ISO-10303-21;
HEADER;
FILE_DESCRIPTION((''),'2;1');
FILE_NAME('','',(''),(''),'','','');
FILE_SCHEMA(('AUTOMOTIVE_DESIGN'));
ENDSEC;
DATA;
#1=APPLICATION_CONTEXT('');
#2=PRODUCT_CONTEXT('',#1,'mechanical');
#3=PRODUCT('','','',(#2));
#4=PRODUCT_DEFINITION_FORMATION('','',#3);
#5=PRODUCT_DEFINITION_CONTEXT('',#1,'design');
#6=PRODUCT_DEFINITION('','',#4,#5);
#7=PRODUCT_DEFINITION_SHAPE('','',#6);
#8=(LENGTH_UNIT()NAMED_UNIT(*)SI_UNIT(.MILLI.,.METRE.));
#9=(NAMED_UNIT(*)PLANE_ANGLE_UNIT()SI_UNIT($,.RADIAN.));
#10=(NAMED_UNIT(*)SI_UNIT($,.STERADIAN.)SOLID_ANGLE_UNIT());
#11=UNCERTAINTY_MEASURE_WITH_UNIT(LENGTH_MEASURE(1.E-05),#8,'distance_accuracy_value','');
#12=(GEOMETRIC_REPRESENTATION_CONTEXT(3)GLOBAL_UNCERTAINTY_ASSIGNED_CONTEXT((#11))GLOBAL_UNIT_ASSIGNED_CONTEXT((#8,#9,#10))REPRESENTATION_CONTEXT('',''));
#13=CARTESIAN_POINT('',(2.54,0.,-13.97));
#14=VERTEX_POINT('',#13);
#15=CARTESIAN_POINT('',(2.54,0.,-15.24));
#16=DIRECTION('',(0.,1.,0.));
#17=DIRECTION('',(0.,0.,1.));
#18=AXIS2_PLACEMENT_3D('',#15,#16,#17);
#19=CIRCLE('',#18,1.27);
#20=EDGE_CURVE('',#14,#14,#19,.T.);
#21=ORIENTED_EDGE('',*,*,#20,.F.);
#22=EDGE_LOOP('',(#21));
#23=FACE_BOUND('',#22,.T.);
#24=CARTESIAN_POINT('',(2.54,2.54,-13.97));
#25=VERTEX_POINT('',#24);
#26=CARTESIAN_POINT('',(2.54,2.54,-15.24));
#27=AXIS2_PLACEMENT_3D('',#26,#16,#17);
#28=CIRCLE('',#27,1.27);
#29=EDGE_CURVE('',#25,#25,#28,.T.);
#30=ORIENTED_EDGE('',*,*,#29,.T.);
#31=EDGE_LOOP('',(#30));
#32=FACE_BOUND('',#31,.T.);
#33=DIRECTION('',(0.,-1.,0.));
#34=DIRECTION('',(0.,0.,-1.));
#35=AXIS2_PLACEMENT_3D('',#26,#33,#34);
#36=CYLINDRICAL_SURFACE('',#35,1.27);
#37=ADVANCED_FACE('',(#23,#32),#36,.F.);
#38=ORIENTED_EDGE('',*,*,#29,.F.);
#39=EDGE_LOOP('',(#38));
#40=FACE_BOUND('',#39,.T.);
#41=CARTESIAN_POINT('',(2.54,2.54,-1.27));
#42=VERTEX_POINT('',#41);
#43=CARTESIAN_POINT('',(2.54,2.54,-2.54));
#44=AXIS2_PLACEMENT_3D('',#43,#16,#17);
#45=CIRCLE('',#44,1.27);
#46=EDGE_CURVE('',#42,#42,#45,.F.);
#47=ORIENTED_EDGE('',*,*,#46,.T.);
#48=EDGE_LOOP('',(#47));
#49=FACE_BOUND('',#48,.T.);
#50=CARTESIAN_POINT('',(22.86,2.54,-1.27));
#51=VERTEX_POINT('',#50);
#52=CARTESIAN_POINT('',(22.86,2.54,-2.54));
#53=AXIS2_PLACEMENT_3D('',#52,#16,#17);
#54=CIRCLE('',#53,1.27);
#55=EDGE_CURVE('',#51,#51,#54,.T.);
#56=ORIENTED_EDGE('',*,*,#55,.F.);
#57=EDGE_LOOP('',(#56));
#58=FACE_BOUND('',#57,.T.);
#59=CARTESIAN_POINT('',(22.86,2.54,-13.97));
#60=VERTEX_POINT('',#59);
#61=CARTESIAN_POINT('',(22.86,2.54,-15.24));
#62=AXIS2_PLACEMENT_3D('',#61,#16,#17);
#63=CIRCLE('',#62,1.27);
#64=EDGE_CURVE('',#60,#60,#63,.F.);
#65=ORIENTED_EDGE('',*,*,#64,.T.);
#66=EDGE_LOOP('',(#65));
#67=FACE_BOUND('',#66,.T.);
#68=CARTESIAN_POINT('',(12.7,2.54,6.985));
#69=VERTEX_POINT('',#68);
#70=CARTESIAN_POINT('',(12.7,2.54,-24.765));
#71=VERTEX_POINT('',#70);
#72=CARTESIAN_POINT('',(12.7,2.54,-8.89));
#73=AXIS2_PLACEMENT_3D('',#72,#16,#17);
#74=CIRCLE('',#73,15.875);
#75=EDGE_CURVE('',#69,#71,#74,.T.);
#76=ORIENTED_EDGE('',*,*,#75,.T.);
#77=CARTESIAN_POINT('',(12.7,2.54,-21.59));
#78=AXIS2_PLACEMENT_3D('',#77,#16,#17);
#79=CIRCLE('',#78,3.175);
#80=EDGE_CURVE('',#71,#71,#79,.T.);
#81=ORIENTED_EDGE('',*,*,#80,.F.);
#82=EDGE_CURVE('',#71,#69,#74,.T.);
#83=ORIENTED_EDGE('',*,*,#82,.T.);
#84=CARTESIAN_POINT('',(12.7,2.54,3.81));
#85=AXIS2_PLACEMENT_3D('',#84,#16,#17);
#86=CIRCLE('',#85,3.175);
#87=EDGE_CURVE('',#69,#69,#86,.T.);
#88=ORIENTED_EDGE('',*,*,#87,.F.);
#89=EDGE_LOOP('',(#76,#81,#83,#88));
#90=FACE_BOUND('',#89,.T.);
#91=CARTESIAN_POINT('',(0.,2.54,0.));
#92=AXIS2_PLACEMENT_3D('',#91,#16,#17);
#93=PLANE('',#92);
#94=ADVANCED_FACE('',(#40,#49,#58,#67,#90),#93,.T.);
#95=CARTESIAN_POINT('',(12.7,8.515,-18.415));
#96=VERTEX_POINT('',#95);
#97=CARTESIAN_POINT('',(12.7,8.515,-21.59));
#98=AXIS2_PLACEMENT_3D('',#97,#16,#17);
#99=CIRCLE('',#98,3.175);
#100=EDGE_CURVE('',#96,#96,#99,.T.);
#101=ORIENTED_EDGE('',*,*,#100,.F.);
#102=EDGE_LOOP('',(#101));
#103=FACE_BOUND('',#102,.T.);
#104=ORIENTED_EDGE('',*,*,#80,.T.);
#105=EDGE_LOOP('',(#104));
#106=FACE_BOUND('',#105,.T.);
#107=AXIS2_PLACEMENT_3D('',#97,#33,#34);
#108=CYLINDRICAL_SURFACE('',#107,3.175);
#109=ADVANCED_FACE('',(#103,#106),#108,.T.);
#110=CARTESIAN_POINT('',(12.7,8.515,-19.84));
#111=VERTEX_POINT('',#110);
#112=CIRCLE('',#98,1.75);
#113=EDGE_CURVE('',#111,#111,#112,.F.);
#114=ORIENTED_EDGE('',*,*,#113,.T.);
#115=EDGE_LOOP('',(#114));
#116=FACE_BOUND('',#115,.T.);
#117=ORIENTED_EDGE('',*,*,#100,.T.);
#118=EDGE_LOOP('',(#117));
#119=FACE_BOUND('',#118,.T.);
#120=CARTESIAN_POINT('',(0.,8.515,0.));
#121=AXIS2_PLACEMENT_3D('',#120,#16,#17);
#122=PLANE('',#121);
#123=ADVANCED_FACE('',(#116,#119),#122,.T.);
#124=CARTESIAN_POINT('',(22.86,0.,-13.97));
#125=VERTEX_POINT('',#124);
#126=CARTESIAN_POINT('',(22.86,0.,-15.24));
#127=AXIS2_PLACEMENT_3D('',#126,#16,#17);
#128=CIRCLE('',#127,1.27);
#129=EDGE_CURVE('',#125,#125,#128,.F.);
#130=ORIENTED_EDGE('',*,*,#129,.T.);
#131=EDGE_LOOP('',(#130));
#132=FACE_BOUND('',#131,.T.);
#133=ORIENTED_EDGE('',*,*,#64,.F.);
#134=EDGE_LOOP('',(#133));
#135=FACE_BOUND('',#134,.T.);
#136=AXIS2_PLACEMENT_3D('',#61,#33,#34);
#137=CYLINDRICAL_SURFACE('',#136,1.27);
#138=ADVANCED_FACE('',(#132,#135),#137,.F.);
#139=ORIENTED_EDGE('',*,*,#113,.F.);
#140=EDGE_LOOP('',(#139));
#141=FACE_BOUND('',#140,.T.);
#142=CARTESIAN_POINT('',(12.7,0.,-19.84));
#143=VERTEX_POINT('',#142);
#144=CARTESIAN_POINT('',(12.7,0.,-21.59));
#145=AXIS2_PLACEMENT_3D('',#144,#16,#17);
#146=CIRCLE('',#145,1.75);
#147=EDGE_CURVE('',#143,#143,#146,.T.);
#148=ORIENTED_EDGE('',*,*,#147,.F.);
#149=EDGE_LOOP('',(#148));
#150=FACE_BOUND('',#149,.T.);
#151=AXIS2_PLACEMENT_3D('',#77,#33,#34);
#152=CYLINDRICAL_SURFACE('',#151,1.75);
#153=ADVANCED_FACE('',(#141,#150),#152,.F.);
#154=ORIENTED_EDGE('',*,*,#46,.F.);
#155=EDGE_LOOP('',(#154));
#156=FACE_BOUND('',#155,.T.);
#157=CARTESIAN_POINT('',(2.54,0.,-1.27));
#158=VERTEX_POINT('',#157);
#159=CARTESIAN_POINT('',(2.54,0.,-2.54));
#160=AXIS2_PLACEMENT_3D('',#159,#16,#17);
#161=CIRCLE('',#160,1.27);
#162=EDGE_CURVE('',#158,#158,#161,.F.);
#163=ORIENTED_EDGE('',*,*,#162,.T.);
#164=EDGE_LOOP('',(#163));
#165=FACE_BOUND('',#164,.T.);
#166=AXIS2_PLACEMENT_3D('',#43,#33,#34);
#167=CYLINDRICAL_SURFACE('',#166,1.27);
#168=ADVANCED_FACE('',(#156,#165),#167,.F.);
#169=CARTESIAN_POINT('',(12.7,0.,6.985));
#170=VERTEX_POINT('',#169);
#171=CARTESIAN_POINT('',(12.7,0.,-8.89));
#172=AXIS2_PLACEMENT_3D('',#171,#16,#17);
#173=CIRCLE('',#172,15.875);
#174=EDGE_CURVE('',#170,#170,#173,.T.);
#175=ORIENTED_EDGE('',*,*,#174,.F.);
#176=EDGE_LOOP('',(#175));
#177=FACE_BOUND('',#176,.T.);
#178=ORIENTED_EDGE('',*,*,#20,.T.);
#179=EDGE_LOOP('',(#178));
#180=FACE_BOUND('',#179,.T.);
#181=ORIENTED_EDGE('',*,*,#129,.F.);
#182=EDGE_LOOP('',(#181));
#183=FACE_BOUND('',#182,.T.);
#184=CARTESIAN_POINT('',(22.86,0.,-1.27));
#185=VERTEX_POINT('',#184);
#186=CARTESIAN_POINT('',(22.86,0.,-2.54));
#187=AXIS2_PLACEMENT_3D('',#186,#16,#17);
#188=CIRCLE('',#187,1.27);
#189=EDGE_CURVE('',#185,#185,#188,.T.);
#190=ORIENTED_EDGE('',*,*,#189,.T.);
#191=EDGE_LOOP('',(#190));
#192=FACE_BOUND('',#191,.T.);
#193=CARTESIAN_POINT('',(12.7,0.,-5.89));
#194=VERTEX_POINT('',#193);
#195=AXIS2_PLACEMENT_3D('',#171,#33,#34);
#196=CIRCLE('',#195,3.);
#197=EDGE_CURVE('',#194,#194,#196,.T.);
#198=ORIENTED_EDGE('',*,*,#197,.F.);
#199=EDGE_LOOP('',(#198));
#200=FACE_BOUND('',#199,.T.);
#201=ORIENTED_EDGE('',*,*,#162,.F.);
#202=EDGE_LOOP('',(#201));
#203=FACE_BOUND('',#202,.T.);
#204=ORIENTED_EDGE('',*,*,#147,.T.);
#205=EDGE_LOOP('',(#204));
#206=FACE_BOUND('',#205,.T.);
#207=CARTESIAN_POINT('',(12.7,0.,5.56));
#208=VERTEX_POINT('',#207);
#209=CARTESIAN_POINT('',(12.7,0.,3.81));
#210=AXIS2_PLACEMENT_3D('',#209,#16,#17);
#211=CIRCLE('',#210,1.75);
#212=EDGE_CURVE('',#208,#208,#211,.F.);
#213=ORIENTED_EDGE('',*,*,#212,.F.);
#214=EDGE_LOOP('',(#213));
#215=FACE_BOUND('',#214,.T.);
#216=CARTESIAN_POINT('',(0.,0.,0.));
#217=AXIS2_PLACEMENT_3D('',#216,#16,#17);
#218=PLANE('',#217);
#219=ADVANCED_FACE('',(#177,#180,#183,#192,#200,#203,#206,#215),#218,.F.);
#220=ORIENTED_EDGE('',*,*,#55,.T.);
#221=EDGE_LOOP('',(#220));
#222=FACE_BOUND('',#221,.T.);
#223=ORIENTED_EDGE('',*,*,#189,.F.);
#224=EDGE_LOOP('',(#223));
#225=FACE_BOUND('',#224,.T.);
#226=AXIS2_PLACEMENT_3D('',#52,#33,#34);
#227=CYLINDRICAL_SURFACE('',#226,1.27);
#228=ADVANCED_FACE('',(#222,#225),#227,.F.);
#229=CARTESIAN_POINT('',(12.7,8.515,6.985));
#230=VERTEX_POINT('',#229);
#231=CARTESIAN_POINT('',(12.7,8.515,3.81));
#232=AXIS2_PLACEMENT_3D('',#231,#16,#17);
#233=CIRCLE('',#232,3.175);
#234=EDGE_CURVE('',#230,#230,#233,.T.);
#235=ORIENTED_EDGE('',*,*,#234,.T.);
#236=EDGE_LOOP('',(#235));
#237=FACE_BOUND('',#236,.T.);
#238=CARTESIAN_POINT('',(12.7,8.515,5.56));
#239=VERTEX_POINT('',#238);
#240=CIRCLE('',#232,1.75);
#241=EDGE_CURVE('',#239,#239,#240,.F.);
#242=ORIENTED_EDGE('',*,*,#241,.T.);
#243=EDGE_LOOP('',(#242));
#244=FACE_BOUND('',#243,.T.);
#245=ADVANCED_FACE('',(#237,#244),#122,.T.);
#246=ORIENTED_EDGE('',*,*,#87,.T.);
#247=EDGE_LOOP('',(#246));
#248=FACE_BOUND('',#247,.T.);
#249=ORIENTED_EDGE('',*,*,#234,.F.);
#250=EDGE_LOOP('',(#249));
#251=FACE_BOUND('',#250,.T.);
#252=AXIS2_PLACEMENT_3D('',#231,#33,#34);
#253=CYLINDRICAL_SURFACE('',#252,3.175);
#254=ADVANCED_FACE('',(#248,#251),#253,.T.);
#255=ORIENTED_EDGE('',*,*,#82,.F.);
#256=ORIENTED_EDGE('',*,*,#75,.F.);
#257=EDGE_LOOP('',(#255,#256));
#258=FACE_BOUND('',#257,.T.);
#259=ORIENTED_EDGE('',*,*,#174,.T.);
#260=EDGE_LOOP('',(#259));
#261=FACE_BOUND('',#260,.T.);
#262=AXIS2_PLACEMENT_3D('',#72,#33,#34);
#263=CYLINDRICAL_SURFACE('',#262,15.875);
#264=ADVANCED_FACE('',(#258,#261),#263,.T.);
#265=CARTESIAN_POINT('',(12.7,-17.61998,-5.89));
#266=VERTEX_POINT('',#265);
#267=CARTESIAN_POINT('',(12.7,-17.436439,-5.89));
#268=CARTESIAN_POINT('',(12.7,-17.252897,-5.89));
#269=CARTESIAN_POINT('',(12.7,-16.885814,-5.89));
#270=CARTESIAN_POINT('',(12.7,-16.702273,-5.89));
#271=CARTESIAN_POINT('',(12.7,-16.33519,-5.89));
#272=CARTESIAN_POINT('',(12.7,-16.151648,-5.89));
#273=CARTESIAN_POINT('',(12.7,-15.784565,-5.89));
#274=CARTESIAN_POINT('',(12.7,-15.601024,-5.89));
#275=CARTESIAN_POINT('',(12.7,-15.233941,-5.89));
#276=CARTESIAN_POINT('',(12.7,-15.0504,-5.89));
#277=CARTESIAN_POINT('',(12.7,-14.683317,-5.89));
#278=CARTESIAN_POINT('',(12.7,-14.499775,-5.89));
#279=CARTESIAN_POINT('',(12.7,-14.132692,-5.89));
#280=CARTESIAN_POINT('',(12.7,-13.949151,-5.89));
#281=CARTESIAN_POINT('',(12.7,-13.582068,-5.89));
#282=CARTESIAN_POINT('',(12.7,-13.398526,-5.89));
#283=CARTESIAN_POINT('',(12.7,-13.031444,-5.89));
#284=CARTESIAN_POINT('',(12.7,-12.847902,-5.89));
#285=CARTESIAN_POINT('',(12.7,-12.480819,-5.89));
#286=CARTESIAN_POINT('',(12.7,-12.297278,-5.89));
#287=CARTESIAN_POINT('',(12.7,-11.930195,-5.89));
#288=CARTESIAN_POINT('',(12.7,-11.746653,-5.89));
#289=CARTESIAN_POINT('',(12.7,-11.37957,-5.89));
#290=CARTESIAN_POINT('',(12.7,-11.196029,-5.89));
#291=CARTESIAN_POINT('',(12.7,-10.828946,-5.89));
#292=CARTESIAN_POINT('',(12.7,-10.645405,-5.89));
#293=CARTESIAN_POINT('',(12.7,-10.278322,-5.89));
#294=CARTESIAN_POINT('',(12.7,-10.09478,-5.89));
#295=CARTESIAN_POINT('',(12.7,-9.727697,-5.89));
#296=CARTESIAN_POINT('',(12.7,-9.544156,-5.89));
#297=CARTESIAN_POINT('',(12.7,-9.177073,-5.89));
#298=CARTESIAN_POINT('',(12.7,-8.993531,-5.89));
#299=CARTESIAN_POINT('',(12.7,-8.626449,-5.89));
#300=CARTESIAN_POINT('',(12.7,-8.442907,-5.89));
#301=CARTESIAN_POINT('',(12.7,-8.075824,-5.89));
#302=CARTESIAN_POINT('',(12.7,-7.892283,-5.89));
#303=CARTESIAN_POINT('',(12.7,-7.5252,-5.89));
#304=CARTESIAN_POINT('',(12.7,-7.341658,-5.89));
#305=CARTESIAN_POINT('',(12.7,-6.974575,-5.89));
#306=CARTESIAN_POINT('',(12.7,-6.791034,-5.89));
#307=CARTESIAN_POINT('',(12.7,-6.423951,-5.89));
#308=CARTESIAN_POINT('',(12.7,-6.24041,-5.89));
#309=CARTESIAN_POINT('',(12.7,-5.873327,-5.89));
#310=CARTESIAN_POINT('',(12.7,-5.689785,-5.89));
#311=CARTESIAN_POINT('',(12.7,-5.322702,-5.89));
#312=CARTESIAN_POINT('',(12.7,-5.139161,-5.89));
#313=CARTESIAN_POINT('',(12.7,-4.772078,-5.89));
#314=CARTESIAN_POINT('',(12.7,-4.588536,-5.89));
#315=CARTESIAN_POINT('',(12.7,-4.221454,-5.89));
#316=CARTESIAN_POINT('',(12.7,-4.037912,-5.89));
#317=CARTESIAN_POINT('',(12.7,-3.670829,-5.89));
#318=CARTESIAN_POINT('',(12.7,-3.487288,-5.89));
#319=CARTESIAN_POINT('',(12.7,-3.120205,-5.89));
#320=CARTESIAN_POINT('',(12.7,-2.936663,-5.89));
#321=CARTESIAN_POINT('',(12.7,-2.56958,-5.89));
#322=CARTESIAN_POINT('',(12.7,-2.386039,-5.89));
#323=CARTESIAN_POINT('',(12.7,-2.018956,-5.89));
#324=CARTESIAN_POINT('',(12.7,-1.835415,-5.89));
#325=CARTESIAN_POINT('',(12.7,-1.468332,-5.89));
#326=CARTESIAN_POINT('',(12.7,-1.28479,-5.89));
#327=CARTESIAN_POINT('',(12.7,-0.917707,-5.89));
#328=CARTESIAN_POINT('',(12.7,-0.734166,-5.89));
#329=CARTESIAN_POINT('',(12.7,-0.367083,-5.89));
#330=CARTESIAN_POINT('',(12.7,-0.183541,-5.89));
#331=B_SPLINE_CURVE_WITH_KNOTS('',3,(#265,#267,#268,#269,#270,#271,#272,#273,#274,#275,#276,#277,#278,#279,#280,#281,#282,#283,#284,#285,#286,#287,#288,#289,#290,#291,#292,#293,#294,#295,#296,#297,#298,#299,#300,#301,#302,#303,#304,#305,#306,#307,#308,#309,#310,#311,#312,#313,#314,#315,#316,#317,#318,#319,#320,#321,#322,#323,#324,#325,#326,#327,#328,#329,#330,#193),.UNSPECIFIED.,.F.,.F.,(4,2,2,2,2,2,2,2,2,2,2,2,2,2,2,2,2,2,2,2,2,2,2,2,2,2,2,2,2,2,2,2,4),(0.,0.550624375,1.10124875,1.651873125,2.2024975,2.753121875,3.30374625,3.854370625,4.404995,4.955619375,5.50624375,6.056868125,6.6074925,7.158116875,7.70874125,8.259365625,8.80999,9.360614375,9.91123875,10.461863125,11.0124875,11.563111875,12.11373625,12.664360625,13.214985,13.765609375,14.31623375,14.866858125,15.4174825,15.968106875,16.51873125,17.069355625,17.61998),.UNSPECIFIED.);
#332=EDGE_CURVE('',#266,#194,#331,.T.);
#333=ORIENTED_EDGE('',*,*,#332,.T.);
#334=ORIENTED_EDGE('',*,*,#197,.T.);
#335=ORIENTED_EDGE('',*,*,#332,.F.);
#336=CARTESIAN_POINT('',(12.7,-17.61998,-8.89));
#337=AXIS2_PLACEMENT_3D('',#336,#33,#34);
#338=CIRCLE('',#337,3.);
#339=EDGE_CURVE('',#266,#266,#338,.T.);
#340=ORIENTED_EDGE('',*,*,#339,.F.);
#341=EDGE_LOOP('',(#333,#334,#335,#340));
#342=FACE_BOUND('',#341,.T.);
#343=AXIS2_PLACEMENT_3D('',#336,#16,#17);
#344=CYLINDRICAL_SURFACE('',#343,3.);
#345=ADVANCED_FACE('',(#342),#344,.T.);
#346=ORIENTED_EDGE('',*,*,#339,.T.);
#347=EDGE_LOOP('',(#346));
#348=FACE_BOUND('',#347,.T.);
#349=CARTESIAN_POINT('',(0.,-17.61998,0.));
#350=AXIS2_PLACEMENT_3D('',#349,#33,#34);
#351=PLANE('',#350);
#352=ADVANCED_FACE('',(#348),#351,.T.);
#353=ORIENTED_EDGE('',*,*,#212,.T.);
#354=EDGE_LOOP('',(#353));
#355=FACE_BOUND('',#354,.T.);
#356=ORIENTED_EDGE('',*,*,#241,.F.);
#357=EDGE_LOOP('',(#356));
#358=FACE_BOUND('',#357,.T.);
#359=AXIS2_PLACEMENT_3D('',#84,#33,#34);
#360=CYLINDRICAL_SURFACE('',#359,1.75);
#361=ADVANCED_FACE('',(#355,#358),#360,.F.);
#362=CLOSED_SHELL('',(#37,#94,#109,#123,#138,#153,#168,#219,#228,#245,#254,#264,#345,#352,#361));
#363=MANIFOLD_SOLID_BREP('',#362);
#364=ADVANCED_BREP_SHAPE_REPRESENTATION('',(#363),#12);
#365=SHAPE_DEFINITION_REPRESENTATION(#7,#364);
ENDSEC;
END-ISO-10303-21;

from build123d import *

# Parameters (mm, degrees)
SKETCH1_R           = 15.875
SKETCH1_R_2         = 1.75
SKETCH1_W           = 25.4
SKETCH1_H           = 17.78
SKETCH1_R_3         = 1.27
BOSS_EXTRUDE1_DEPTH = 2.54
SKETCH2_R           = 3.175
SKETCH2_R_2         = 1.75
BOSS_EXTRUDE2_DEPTH = 5.974999988
SKETCH3_R           = 3
BOSS_EXTRUDE3_DEPTH = 17.61998


with BuildPart() as part:
    # Sketch1 → Boss-Extrude1 (new body)
    # profile 1 of 2: a face of its own
    with BuildSketch(Plane(origin=(0, 0, 0), x_dir=(1, 0, 0), z_dir=(0, 1, 0))):
        with Locations(Location((12.7, 8.89, 0), (0, 0, 270))):
            Circle(SKETCH1_R)
        with Locations(Location((12.7, 21.59, 0), (0, 0, 270))):
            Circle(SKETCH1_R_2, mode=Mode.SUBTRACT)
        with Locations(Location((12.7, -3.81, 0), (0, 0, 270))):
            Circle(SKETCH1_R_2, mode=Mode.SUBTRACT)
        with Locations((12.7, 8.89)):
            Rectangle(SKETCH1_W, SKETCH1_H, mode=Mode.SUBTRACT)
    # profile 2 of 2: a face of its own
    with BuildSketch(Plane(origin=(0, 0, 0), x_dir=(1, 0, 0), z_dir=(0, 1, 0))):
        with Locations((12.7, 8.89)):
            Rectangle(SKETCH1_W, SKETCH1_H)
        with Locations(Location((22.86, 15.24, 0), (0, 0, 270))):
            Circle(SKETCH1_R_3, mode=Mode.SUBTRACT)
        with Locations(Location((2.54, 15.24, 0), (0, 0, 270))):
            Circle(SKETCH1_R_3, mode=Mode.SUBTRACT)
        with Locations(Location((22.86, 2.54, 0), (0, 0, 270))):
            Circle(SKETCH1_R_3, mode=Mode.SUBTRACT)
        with Locations(Location((2.54, 2.54, 0), (0, 0, 270))):
            Circle(SKETCH1_R_3, mode=Mode.SUBTRACT)
    extrude(amount=BOSS_EXTRUDE1_DEPTH)

    # Sketch2 → Boss-Extrude2 (add)
    # profile 1 of 2: a face of its own
    with BuildSketch(Plane(origin=(0, 2.54, 0), x_dir=(1, 0, 0), z_dir=(0, 1, 0))):
        with Locations(Location((12.7, 21.59, 0), (0, 0, 89.999491582))):
            Circle(SKETCH2_R)
        with Locations(Location((12.7, 21.59, 0), (0, 0, 270))):
            Circle(SKETCH2_R_2, mode=Mode.SUBTRACT)
    # profile 2 of 2: a face of its own
    with BuildSketch(Plane(origin=(0, 2.54, 0), x_dir=(1, 0, 0), z_dir=(0, 1, 0))):
        with Locations(Location((12.7, -3.81, 0), (0, 0, 269.999491581))):
            Circle(SKETCH2_R)
        with Locations(Location((12.7, -3.81, 0), (0, 0, 270))):
            Circle(SKETCH2_R_2, mode=Mode.SUBTRACT)
    extrude(amount=BOSS_EXTRUDE2_DEPTH)

    # Sketch3 → Boss-Extrude3 (add)
    with BuildSketch(Plane.XZ):
        with Locations(Location((12.7, -8.89, 0), (0, 0, 90))):
            Circle(SKETCH3_R)
    extrude(amount=BOSS_EXTRUDE3_DEPTH)


solid = part.part
